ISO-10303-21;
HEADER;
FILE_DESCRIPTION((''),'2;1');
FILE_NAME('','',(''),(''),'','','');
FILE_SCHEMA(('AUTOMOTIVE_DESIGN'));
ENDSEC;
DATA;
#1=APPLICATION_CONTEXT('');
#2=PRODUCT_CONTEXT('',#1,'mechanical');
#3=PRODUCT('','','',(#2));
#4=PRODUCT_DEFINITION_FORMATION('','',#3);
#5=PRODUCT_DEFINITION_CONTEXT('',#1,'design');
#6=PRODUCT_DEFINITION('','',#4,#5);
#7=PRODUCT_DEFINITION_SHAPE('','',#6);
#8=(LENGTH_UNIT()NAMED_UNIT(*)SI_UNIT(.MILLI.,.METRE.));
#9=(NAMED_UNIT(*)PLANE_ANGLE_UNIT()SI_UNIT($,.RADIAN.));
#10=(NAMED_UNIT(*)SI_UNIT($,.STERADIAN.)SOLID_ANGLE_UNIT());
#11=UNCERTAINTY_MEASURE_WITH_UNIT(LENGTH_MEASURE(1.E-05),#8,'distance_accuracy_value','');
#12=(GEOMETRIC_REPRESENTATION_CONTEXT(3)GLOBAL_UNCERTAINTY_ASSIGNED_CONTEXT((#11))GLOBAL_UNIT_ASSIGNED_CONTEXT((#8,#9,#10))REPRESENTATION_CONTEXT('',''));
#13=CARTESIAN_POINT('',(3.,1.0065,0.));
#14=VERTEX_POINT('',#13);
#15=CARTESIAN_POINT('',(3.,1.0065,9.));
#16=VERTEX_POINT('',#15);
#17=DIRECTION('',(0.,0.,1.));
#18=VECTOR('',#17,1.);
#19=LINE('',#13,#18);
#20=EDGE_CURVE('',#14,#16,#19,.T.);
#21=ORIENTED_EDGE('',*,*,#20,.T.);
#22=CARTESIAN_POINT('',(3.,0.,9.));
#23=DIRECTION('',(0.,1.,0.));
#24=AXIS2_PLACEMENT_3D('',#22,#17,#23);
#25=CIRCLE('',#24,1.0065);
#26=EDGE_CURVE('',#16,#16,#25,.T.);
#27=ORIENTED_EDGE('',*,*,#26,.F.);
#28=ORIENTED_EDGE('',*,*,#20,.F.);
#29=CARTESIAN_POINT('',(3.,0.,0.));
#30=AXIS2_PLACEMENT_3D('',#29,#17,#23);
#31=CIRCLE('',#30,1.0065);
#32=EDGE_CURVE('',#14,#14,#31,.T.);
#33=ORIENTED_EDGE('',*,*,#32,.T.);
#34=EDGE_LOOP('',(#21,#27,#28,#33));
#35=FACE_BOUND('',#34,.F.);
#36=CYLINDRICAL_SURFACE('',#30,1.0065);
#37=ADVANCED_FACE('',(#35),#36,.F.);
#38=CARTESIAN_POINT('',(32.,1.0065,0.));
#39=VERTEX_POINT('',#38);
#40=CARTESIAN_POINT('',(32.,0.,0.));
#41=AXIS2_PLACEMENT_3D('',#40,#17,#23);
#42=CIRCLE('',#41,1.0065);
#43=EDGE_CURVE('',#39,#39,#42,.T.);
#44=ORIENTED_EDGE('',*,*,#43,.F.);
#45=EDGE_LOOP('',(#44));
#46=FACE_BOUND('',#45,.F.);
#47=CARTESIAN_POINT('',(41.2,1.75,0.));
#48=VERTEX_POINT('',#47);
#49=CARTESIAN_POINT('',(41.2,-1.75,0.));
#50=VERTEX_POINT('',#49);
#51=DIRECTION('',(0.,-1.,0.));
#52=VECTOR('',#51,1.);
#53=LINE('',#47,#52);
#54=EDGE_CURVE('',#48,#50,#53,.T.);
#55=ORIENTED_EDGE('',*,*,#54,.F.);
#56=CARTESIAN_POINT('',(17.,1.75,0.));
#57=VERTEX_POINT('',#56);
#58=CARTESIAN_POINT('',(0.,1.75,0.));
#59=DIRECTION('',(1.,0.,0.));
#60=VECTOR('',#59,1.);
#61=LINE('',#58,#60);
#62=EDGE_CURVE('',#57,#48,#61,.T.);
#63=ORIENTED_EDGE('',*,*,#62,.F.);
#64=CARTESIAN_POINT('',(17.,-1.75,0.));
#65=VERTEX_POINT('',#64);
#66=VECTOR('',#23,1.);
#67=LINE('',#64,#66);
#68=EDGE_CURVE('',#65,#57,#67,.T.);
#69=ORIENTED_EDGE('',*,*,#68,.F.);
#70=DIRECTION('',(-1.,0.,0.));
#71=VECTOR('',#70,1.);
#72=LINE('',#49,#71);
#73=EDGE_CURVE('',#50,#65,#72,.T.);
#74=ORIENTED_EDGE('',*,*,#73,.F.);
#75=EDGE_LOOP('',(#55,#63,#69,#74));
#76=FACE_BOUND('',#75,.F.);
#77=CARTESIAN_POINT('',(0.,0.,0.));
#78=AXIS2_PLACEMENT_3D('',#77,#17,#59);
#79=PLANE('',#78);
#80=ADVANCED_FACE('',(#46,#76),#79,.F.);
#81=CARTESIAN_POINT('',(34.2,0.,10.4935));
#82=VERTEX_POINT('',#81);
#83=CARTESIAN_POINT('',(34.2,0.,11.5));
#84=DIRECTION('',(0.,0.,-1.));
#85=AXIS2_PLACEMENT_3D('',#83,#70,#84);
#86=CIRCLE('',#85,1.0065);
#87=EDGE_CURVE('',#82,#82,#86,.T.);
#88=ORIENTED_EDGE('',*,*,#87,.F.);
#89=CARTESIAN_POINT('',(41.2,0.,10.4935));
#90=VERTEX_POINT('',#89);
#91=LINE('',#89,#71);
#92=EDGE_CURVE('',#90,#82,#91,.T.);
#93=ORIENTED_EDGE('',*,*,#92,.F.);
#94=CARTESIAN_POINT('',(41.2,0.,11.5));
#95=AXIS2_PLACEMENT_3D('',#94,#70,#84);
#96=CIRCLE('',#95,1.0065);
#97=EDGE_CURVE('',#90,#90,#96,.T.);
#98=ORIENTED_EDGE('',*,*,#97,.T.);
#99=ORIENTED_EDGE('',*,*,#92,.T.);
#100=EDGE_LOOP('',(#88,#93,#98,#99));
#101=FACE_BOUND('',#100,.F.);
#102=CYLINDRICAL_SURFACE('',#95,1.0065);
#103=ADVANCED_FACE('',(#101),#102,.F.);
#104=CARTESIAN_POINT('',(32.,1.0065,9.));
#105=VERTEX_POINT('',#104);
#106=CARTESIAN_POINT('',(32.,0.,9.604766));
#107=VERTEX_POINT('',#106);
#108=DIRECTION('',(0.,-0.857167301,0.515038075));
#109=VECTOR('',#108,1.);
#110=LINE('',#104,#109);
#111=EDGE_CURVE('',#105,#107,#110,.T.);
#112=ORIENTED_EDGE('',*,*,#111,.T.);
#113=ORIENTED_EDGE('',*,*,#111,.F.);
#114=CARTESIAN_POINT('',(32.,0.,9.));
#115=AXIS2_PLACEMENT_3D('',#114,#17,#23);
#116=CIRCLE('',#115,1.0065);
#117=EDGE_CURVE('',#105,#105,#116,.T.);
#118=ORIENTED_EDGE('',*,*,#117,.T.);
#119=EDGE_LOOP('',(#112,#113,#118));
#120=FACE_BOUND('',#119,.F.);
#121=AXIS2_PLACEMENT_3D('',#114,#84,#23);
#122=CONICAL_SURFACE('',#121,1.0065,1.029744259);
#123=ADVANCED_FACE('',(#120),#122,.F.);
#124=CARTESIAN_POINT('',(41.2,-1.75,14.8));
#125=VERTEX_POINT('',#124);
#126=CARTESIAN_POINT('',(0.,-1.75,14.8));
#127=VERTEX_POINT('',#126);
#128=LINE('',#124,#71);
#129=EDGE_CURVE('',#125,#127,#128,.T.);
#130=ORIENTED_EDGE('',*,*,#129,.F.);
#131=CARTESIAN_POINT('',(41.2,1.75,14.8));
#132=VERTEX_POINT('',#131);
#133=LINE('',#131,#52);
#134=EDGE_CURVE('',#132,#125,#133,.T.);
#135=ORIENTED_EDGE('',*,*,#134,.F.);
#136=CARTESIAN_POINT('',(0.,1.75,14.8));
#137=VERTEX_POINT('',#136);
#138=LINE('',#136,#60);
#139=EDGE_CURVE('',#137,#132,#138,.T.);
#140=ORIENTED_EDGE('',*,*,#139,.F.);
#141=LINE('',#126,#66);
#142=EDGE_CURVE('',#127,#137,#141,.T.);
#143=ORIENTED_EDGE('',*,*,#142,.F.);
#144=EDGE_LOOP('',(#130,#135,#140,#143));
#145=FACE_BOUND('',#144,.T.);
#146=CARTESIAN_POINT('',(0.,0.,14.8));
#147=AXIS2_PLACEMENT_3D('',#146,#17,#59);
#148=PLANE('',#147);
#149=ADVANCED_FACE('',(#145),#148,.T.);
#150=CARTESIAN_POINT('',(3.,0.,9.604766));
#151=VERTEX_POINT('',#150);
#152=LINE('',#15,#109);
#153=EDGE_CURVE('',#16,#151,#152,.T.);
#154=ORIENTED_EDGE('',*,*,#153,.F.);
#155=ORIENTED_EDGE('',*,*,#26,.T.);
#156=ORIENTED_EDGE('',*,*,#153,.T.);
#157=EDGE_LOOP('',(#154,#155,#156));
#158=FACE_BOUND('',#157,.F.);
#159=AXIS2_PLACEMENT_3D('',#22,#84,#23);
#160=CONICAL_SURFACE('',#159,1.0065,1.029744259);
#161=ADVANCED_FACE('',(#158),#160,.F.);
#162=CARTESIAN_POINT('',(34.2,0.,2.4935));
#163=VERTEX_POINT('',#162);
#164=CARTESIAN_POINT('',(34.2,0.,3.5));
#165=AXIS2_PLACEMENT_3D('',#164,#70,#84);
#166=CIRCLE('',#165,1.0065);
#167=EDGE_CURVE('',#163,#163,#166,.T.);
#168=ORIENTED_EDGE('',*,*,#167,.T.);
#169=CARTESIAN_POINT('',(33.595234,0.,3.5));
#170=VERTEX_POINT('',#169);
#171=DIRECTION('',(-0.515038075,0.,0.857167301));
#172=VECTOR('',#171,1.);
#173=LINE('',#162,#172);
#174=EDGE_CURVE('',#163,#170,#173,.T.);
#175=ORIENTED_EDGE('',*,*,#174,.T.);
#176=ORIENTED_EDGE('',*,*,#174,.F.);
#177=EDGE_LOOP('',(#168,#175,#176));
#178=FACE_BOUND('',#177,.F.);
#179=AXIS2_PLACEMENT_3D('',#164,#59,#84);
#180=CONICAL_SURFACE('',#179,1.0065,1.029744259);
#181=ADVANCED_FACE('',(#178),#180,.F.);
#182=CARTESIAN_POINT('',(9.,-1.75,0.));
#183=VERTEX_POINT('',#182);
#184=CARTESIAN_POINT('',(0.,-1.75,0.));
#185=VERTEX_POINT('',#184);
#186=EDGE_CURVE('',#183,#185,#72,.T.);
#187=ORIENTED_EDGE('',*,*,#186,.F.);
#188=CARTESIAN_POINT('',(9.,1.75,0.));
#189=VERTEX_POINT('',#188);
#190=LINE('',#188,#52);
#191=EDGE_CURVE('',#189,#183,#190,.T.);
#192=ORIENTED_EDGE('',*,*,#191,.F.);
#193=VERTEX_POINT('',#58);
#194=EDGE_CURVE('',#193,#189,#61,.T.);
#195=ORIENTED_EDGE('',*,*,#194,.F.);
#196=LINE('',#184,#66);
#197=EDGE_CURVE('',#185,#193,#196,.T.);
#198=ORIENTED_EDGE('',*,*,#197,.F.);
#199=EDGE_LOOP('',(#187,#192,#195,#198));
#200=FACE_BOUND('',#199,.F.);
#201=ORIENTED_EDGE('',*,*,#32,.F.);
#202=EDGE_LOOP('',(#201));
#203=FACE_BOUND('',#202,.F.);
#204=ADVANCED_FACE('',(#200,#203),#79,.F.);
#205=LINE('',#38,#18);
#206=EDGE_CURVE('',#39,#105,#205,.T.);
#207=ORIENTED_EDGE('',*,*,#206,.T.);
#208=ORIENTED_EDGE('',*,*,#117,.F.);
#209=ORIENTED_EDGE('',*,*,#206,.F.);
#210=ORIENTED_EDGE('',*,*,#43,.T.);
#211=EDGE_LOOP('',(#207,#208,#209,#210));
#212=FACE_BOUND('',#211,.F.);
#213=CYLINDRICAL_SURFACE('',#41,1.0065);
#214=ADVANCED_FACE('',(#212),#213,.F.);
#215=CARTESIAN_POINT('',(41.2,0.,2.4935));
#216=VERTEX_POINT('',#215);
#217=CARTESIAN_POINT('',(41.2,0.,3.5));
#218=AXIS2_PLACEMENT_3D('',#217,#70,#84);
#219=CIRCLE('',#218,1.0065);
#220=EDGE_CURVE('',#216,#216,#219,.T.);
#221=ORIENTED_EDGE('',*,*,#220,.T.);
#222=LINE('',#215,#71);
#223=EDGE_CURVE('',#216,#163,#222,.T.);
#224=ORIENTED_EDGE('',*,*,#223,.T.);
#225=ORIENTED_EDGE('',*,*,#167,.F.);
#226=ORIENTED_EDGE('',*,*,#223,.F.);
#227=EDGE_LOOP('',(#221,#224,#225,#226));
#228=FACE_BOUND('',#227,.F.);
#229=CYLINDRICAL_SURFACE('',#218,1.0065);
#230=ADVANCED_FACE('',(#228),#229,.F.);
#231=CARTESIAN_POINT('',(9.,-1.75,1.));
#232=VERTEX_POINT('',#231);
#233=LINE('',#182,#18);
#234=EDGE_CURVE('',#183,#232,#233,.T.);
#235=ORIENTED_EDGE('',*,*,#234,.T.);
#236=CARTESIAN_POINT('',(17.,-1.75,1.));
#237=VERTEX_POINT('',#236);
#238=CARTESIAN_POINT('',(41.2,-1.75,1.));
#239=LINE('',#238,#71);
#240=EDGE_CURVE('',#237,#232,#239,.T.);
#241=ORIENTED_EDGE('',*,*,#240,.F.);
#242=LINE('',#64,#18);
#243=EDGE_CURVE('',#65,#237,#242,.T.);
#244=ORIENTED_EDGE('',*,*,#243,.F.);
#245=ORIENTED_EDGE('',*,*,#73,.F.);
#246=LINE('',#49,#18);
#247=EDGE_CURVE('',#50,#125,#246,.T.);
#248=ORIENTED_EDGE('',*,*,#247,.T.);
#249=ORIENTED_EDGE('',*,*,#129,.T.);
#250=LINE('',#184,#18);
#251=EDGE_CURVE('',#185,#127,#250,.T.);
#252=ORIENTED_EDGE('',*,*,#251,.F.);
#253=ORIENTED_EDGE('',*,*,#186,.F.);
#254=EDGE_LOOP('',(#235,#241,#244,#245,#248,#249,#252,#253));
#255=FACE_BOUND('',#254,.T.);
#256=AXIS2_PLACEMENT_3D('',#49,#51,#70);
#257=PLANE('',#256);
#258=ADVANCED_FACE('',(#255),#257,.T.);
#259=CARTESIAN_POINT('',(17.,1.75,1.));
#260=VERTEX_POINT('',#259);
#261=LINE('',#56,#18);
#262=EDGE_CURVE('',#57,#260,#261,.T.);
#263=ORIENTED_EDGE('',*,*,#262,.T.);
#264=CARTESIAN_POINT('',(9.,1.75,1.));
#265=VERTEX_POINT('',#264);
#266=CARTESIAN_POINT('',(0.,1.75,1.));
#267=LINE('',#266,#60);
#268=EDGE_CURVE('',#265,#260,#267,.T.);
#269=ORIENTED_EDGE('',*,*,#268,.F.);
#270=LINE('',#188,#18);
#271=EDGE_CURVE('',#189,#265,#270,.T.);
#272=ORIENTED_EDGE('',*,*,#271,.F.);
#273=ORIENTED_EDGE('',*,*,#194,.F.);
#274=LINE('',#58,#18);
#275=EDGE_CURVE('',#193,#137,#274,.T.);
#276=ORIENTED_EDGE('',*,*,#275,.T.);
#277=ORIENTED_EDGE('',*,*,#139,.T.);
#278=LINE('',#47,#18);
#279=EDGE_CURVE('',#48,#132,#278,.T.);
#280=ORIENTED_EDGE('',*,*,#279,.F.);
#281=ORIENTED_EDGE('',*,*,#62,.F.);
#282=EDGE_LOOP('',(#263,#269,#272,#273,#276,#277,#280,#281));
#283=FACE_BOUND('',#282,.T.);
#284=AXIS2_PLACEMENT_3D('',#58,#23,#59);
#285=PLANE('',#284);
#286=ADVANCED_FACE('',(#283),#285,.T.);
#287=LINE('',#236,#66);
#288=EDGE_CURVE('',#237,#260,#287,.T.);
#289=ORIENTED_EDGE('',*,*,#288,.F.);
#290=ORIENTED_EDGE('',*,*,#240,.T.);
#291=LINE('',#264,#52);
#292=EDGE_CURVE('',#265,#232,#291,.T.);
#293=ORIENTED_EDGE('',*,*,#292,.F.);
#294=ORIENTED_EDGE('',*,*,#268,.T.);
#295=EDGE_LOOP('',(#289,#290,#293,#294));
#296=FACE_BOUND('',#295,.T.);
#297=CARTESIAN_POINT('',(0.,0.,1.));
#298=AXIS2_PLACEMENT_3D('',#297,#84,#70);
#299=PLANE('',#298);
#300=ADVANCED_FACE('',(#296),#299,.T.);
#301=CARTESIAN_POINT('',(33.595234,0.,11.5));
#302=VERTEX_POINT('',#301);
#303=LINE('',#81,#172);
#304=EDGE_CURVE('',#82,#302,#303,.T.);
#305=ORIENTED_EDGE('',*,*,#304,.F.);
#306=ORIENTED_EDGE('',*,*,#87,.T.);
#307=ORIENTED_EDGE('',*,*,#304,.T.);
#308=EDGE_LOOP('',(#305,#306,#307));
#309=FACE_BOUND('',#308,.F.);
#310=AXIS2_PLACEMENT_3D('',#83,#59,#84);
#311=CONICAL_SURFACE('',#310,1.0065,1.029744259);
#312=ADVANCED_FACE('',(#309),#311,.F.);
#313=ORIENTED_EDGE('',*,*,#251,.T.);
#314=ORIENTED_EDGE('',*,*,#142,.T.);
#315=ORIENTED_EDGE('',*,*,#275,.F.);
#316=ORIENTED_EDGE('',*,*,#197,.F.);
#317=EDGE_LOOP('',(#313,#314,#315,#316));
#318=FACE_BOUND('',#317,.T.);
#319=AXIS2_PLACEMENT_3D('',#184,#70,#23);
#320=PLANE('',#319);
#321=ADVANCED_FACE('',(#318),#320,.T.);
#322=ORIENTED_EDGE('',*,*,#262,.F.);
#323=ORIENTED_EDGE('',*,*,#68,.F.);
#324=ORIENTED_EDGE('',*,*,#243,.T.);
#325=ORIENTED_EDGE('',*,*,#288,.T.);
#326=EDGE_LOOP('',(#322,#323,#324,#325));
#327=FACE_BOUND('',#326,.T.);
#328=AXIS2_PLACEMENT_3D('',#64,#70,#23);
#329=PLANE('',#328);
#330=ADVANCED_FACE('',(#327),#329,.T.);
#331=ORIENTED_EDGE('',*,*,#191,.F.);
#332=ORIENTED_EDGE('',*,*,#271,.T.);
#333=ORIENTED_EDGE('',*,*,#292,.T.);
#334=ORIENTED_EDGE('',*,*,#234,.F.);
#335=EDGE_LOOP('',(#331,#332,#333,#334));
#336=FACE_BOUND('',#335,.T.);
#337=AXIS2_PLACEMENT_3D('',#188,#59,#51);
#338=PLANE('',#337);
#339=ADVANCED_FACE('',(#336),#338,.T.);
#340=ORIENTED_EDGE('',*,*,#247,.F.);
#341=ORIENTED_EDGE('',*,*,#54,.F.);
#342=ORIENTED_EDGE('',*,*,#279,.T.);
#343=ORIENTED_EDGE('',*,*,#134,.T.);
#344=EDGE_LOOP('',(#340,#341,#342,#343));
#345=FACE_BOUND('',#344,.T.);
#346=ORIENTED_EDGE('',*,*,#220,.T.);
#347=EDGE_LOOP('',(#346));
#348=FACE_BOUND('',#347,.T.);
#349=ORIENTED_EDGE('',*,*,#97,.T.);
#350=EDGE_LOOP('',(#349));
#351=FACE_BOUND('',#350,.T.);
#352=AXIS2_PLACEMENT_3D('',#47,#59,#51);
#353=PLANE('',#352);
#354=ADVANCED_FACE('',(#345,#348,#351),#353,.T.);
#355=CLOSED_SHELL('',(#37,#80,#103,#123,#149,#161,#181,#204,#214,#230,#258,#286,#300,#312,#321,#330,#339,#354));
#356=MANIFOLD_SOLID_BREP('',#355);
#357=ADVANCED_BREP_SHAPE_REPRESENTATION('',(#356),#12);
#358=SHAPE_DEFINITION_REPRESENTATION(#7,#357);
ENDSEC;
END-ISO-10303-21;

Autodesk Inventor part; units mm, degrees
ref_plane "YZ Plane" through (0, 0, 0) normal (1, 0, 0) x (0, 1, 0)
ref_plane "XZ Plane" through (0, 0, 0) normal (0, 1, 0) x (-1, 0, 0)
sketch "Skizze1" plane through (0, 0, 0) normal (0, 0, 1) x (1, 0, 0)
  line L0 (0, 1.75) -> (41.2, 1.75)
  line L1 (41.2, 1.75) -> (41.2, -1.75)
  line L2 (41.2, -1.75) -> (0, -1.75)
  line L3 (0, -1.75) -> (0, 1.75)
  point P0 (0, 0)
  point P1 (0, 0)
  dimension "d0" = 41.2
  dimension "d1" = 3.5
extrude "Extrusion1" add sketch "Skizze1" along normal blind 14.8
sketch "Skizze2" plane through (0, 0, 0) normal (0, 0, -1) x (-1, 0, 0)
  line L0 (0, 0) -> (-3, 0) construction
  line L1 (-3, 0) -> (-32, 0) construction
  dimension "d4" = 3
  dimension "d5" = 32
hole "Bohrung1" at (3, 0, 0) at (32, 0, 0) direction (0, 0, 1) diameter 2.013 depth 9 tip angle 118 thread size "M2.5x0.45" class "6H" standard "ISO Metric profile"
sketch "Skizze3" plane through (0, 0, 0) normal (0, 0, -1) x (-1, 0, 0)
  circle A0 centre (-3, 0) radius 1.0065 projected
  circle A1 centre (-32, 0) radius 1.0065 projected
  line L0 (0, 1.75) -> (-41.2, 1.75) projected
  line L1 (-41.2, 1.75) -> (-41.2, -1.75) projected
  line L2 (-41.2, -1.75) -> (0, -1.75) projected
  line L3 (0, -1.75) -> (0, 1.75) projected
  line L4 (-41.2, -1.75) -> (0, -1.75) projected
  line L5 (-9, -1.75) -> (-17, -1.75)
  line L6 (-17, -1.75) -> (-17, 1.75)
  line L7 (-17, 1.75) -> (-9, 1.75)
  line L8 (-9, 1.75) -> (-9, -1.75)
  line L9 (-17, 0) -> (-9, 0) construction
  point P0 (0, 0)
  point P1 (-13, 0)
  dimension "d13" = 13
  dimension "d14" = 8
extrude "Extrusion2" cut sketch "Skizze3" against normal blind 1 contours L8 L2 L6 L0
sketch "Skizze4" plane through (41.2, -1.75, 0) normal (1, 0, 0) x (0, 0, -1)
  line L0 (0, 1.75) -> (-3.5, 1.75) construction
  line L1 (-3.5, 1.75) -> (-11.5, 1.75) construction
  dimension "d17" = 3.5
  dimension "d19" = 8
hole "Bohrung2" at (41.2, 0, 11.5) at (41.2, 0, 3.5) direction (-1, 0, 0) diameter 2.013 depth 7 tip angle 118 thread size "M2.5x0.45" class "6H" standard "ISO Metric profile"
ref_plane "Arbeitsebene1" through (0, 0, 7.4) normal (0, 0, 1) x (1, 0, 0)
properties part number "USB Wärmeableiter 1"
